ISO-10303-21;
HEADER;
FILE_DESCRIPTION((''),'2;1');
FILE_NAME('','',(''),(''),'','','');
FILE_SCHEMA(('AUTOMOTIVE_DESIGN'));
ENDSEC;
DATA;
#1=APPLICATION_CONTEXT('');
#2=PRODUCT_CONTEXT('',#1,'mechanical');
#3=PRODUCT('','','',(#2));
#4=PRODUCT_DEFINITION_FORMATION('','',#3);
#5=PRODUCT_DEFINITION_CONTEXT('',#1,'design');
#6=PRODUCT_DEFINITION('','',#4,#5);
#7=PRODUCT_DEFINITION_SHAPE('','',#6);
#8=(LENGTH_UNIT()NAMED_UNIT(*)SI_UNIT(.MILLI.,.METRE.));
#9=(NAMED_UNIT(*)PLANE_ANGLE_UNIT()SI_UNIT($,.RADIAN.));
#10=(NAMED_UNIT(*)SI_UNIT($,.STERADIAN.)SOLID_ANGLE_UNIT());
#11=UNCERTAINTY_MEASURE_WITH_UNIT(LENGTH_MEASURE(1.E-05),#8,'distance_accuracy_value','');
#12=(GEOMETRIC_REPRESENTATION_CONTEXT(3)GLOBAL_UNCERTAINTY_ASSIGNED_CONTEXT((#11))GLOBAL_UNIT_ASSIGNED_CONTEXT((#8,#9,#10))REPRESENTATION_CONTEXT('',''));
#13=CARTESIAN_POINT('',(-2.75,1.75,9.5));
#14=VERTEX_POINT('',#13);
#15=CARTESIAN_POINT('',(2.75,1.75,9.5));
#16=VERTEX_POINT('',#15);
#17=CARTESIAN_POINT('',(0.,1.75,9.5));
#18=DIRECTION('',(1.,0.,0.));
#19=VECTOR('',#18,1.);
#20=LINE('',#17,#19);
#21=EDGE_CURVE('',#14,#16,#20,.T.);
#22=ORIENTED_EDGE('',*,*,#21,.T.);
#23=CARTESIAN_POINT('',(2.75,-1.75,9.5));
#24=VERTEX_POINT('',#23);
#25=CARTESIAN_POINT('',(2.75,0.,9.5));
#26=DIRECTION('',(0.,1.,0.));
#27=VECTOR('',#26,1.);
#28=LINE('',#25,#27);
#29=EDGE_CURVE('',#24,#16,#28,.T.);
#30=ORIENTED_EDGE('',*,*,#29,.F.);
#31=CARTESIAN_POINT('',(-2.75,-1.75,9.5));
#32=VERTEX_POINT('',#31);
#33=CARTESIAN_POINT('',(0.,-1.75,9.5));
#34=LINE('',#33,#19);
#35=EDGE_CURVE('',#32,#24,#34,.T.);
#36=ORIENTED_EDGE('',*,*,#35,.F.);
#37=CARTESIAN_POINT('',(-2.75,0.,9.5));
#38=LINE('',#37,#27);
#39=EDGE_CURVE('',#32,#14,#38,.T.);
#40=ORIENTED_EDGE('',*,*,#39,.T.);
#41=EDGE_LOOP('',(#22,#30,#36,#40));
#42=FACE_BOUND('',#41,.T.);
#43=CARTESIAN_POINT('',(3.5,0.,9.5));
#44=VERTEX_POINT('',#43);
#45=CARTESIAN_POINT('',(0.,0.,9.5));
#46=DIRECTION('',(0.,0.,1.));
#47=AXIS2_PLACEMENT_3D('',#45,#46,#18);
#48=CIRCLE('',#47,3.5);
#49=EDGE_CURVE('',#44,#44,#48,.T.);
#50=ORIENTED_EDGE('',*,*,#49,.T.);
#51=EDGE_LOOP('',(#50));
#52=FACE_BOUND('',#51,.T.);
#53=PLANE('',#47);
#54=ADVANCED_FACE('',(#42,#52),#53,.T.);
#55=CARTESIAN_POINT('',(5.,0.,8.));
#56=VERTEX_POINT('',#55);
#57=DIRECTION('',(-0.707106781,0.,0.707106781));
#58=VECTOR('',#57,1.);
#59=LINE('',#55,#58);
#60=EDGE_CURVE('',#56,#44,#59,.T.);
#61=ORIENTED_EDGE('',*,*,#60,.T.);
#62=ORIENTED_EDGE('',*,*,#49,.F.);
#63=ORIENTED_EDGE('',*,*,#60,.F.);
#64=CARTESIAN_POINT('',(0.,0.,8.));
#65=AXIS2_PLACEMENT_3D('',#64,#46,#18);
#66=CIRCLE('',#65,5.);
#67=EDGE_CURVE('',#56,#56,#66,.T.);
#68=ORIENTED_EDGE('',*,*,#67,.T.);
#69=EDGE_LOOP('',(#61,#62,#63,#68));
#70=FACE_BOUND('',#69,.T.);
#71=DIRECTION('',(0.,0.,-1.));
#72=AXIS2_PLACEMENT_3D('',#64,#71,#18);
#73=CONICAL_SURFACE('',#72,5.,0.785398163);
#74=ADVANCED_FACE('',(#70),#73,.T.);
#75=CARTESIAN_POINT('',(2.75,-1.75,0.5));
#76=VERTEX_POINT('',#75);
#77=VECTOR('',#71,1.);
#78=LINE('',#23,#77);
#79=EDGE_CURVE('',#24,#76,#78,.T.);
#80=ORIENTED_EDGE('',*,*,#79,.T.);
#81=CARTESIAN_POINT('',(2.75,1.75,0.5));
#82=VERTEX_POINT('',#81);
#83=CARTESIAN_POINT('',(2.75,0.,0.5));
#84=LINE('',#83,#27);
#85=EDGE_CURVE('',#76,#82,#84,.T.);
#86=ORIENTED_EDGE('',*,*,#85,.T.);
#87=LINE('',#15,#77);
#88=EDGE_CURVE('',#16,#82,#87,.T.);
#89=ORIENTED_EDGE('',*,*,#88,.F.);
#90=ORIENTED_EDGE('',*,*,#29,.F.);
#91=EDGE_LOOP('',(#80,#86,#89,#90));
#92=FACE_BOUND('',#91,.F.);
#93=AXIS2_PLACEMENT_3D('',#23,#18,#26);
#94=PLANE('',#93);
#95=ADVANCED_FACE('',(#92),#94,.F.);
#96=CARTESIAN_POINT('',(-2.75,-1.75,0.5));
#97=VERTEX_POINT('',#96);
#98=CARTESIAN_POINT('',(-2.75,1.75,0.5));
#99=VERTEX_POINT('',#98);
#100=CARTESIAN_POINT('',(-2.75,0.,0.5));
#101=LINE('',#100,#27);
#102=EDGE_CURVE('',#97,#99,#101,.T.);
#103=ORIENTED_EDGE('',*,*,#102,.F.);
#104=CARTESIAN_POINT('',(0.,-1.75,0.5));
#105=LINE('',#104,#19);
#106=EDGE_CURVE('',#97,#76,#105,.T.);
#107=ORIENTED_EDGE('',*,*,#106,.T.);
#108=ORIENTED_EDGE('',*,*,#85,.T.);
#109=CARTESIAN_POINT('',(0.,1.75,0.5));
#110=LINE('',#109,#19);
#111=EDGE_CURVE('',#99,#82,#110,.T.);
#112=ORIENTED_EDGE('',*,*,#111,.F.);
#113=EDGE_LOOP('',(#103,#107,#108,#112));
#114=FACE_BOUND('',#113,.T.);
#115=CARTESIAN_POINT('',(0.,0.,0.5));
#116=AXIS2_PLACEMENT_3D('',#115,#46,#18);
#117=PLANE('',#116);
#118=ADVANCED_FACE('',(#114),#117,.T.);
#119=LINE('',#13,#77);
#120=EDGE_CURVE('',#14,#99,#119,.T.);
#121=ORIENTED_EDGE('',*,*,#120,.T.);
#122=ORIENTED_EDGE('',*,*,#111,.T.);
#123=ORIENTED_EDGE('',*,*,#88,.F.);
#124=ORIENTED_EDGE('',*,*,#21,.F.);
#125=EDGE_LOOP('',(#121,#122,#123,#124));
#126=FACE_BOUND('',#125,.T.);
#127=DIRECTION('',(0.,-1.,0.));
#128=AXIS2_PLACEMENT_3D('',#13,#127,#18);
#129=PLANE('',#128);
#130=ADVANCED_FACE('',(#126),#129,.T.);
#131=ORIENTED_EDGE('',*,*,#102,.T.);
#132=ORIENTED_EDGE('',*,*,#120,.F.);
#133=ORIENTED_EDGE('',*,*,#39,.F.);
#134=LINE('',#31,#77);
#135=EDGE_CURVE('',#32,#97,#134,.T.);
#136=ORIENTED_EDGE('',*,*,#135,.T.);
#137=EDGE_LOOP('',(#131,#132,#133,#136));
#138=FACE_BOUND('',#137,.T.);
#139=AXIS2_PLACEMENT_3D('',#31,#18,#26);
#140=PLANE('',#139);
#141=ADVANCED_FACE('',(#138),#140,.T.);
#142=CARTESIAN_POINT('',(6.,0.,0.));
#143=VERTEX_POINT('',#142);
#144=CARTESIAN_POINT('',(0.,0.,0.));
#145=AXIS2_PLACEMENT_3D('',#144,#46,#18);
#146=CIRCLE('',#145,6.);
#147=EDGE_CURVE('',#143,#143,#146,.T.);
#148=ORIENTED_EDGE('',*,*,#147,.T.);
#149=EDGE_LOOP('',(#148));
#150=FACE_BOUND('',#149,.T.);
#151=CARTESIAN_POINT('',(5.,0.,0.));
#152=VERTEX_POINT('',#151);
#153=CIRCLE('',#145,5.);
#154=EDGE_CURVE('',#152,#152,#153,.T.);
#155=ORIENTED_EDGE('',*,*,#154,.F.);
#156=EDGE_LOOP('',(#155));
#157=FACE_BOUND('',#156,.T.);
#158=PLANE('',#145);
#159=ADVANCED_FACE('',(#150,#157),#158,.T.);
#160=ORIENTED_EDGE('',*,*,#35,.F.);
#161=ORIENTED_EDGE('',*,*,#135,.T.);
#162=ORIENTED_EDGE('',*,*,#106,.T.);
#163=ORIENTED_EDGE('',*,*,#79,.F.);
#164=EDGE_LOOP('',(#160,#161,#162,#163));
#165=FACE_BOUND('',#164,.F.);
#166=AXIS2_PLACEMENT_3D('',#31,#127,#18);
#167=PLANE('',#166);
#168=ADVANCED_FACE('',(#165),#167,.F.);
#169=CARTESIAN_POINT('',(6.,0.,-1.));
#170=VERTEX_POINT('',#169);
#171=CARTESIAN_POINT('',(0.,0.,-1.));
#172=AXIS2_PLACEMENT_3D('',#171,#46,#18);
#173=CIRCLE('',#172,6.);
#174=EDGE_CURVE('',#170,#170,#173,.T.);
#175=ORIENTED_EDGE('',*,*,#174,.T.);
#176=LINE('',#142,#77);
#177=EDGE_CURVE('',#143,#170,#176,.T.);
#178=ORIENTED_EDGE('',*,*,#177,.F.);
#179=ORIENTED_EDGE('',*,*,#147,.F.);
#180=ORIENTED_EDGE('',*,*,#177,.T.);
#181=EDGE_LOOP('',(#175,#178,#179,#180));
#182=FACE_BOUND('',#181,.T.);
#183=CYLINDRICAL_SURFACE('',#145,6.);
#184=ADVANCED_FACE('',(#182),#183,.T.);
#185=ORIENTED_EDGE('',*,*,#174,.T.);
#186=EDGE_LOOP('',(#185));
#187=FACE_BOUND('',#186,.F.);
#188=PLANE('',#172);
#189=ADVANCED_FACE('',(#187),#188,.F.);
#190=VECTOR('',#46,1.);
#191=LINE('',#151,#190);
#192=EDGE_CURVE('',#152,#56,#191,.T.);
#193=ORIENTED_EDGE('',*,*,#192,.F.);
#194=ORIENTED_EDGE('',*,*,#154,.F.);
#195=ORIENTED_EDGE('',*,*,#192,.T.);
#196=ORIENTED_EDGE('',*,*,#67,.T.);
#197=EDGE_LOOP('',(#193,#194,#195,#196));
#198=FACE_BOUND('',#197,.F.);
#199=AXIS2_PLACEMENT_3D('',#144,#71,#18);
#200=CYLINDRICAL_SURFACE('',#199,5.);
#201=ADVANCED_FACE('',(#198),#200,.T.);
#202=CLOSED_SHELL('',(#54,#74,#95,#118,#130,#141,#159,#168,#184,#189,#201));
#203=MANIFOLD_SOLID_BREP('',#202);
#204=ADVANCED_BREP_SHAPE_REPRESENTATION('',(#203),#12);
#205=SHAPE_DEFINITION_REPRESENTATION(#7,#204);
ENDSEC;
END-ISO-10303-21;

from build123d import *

# Parameters (mm, degrees)
F0_R     = 5
F1_DEPTH = 9.5
F2_SIZE  = 1.5
F4_R     = 6
F5_DEPTH = 1
F3_W     = 5.5
F3_H     = 3.5
F6_DEPTH = 9


with BuildPart() as f1:
    # F0 (on Top) → F1 (new body)
    with BuildSketch(Plane.XY):
        Circle(F0_R)
    extrude(amount=F1_DEPTH)

    # F2
    f2_edges = [f1.edges().sort_by_distance(p)[0] for p in [
        (-5, 0, 9.5),
    ]]
    chamfer(f2_edges, length=F2_SIZE)

    # F4 (on face) → F5 (join)
    with BuildSketch(Plane.XY):
        Circle(F4_R)
    extrude(amount=-F5_DEPTH)

    # F3 (on face) → F6 (cut)
    with BuildSketch(Plane.XY.offset(9.5)):
        Rectangle(F3_W, F3_H)
    extrude(amount=-F6_DEPTH, mode=Mode.SUBTRACT)


solid = f1.part
